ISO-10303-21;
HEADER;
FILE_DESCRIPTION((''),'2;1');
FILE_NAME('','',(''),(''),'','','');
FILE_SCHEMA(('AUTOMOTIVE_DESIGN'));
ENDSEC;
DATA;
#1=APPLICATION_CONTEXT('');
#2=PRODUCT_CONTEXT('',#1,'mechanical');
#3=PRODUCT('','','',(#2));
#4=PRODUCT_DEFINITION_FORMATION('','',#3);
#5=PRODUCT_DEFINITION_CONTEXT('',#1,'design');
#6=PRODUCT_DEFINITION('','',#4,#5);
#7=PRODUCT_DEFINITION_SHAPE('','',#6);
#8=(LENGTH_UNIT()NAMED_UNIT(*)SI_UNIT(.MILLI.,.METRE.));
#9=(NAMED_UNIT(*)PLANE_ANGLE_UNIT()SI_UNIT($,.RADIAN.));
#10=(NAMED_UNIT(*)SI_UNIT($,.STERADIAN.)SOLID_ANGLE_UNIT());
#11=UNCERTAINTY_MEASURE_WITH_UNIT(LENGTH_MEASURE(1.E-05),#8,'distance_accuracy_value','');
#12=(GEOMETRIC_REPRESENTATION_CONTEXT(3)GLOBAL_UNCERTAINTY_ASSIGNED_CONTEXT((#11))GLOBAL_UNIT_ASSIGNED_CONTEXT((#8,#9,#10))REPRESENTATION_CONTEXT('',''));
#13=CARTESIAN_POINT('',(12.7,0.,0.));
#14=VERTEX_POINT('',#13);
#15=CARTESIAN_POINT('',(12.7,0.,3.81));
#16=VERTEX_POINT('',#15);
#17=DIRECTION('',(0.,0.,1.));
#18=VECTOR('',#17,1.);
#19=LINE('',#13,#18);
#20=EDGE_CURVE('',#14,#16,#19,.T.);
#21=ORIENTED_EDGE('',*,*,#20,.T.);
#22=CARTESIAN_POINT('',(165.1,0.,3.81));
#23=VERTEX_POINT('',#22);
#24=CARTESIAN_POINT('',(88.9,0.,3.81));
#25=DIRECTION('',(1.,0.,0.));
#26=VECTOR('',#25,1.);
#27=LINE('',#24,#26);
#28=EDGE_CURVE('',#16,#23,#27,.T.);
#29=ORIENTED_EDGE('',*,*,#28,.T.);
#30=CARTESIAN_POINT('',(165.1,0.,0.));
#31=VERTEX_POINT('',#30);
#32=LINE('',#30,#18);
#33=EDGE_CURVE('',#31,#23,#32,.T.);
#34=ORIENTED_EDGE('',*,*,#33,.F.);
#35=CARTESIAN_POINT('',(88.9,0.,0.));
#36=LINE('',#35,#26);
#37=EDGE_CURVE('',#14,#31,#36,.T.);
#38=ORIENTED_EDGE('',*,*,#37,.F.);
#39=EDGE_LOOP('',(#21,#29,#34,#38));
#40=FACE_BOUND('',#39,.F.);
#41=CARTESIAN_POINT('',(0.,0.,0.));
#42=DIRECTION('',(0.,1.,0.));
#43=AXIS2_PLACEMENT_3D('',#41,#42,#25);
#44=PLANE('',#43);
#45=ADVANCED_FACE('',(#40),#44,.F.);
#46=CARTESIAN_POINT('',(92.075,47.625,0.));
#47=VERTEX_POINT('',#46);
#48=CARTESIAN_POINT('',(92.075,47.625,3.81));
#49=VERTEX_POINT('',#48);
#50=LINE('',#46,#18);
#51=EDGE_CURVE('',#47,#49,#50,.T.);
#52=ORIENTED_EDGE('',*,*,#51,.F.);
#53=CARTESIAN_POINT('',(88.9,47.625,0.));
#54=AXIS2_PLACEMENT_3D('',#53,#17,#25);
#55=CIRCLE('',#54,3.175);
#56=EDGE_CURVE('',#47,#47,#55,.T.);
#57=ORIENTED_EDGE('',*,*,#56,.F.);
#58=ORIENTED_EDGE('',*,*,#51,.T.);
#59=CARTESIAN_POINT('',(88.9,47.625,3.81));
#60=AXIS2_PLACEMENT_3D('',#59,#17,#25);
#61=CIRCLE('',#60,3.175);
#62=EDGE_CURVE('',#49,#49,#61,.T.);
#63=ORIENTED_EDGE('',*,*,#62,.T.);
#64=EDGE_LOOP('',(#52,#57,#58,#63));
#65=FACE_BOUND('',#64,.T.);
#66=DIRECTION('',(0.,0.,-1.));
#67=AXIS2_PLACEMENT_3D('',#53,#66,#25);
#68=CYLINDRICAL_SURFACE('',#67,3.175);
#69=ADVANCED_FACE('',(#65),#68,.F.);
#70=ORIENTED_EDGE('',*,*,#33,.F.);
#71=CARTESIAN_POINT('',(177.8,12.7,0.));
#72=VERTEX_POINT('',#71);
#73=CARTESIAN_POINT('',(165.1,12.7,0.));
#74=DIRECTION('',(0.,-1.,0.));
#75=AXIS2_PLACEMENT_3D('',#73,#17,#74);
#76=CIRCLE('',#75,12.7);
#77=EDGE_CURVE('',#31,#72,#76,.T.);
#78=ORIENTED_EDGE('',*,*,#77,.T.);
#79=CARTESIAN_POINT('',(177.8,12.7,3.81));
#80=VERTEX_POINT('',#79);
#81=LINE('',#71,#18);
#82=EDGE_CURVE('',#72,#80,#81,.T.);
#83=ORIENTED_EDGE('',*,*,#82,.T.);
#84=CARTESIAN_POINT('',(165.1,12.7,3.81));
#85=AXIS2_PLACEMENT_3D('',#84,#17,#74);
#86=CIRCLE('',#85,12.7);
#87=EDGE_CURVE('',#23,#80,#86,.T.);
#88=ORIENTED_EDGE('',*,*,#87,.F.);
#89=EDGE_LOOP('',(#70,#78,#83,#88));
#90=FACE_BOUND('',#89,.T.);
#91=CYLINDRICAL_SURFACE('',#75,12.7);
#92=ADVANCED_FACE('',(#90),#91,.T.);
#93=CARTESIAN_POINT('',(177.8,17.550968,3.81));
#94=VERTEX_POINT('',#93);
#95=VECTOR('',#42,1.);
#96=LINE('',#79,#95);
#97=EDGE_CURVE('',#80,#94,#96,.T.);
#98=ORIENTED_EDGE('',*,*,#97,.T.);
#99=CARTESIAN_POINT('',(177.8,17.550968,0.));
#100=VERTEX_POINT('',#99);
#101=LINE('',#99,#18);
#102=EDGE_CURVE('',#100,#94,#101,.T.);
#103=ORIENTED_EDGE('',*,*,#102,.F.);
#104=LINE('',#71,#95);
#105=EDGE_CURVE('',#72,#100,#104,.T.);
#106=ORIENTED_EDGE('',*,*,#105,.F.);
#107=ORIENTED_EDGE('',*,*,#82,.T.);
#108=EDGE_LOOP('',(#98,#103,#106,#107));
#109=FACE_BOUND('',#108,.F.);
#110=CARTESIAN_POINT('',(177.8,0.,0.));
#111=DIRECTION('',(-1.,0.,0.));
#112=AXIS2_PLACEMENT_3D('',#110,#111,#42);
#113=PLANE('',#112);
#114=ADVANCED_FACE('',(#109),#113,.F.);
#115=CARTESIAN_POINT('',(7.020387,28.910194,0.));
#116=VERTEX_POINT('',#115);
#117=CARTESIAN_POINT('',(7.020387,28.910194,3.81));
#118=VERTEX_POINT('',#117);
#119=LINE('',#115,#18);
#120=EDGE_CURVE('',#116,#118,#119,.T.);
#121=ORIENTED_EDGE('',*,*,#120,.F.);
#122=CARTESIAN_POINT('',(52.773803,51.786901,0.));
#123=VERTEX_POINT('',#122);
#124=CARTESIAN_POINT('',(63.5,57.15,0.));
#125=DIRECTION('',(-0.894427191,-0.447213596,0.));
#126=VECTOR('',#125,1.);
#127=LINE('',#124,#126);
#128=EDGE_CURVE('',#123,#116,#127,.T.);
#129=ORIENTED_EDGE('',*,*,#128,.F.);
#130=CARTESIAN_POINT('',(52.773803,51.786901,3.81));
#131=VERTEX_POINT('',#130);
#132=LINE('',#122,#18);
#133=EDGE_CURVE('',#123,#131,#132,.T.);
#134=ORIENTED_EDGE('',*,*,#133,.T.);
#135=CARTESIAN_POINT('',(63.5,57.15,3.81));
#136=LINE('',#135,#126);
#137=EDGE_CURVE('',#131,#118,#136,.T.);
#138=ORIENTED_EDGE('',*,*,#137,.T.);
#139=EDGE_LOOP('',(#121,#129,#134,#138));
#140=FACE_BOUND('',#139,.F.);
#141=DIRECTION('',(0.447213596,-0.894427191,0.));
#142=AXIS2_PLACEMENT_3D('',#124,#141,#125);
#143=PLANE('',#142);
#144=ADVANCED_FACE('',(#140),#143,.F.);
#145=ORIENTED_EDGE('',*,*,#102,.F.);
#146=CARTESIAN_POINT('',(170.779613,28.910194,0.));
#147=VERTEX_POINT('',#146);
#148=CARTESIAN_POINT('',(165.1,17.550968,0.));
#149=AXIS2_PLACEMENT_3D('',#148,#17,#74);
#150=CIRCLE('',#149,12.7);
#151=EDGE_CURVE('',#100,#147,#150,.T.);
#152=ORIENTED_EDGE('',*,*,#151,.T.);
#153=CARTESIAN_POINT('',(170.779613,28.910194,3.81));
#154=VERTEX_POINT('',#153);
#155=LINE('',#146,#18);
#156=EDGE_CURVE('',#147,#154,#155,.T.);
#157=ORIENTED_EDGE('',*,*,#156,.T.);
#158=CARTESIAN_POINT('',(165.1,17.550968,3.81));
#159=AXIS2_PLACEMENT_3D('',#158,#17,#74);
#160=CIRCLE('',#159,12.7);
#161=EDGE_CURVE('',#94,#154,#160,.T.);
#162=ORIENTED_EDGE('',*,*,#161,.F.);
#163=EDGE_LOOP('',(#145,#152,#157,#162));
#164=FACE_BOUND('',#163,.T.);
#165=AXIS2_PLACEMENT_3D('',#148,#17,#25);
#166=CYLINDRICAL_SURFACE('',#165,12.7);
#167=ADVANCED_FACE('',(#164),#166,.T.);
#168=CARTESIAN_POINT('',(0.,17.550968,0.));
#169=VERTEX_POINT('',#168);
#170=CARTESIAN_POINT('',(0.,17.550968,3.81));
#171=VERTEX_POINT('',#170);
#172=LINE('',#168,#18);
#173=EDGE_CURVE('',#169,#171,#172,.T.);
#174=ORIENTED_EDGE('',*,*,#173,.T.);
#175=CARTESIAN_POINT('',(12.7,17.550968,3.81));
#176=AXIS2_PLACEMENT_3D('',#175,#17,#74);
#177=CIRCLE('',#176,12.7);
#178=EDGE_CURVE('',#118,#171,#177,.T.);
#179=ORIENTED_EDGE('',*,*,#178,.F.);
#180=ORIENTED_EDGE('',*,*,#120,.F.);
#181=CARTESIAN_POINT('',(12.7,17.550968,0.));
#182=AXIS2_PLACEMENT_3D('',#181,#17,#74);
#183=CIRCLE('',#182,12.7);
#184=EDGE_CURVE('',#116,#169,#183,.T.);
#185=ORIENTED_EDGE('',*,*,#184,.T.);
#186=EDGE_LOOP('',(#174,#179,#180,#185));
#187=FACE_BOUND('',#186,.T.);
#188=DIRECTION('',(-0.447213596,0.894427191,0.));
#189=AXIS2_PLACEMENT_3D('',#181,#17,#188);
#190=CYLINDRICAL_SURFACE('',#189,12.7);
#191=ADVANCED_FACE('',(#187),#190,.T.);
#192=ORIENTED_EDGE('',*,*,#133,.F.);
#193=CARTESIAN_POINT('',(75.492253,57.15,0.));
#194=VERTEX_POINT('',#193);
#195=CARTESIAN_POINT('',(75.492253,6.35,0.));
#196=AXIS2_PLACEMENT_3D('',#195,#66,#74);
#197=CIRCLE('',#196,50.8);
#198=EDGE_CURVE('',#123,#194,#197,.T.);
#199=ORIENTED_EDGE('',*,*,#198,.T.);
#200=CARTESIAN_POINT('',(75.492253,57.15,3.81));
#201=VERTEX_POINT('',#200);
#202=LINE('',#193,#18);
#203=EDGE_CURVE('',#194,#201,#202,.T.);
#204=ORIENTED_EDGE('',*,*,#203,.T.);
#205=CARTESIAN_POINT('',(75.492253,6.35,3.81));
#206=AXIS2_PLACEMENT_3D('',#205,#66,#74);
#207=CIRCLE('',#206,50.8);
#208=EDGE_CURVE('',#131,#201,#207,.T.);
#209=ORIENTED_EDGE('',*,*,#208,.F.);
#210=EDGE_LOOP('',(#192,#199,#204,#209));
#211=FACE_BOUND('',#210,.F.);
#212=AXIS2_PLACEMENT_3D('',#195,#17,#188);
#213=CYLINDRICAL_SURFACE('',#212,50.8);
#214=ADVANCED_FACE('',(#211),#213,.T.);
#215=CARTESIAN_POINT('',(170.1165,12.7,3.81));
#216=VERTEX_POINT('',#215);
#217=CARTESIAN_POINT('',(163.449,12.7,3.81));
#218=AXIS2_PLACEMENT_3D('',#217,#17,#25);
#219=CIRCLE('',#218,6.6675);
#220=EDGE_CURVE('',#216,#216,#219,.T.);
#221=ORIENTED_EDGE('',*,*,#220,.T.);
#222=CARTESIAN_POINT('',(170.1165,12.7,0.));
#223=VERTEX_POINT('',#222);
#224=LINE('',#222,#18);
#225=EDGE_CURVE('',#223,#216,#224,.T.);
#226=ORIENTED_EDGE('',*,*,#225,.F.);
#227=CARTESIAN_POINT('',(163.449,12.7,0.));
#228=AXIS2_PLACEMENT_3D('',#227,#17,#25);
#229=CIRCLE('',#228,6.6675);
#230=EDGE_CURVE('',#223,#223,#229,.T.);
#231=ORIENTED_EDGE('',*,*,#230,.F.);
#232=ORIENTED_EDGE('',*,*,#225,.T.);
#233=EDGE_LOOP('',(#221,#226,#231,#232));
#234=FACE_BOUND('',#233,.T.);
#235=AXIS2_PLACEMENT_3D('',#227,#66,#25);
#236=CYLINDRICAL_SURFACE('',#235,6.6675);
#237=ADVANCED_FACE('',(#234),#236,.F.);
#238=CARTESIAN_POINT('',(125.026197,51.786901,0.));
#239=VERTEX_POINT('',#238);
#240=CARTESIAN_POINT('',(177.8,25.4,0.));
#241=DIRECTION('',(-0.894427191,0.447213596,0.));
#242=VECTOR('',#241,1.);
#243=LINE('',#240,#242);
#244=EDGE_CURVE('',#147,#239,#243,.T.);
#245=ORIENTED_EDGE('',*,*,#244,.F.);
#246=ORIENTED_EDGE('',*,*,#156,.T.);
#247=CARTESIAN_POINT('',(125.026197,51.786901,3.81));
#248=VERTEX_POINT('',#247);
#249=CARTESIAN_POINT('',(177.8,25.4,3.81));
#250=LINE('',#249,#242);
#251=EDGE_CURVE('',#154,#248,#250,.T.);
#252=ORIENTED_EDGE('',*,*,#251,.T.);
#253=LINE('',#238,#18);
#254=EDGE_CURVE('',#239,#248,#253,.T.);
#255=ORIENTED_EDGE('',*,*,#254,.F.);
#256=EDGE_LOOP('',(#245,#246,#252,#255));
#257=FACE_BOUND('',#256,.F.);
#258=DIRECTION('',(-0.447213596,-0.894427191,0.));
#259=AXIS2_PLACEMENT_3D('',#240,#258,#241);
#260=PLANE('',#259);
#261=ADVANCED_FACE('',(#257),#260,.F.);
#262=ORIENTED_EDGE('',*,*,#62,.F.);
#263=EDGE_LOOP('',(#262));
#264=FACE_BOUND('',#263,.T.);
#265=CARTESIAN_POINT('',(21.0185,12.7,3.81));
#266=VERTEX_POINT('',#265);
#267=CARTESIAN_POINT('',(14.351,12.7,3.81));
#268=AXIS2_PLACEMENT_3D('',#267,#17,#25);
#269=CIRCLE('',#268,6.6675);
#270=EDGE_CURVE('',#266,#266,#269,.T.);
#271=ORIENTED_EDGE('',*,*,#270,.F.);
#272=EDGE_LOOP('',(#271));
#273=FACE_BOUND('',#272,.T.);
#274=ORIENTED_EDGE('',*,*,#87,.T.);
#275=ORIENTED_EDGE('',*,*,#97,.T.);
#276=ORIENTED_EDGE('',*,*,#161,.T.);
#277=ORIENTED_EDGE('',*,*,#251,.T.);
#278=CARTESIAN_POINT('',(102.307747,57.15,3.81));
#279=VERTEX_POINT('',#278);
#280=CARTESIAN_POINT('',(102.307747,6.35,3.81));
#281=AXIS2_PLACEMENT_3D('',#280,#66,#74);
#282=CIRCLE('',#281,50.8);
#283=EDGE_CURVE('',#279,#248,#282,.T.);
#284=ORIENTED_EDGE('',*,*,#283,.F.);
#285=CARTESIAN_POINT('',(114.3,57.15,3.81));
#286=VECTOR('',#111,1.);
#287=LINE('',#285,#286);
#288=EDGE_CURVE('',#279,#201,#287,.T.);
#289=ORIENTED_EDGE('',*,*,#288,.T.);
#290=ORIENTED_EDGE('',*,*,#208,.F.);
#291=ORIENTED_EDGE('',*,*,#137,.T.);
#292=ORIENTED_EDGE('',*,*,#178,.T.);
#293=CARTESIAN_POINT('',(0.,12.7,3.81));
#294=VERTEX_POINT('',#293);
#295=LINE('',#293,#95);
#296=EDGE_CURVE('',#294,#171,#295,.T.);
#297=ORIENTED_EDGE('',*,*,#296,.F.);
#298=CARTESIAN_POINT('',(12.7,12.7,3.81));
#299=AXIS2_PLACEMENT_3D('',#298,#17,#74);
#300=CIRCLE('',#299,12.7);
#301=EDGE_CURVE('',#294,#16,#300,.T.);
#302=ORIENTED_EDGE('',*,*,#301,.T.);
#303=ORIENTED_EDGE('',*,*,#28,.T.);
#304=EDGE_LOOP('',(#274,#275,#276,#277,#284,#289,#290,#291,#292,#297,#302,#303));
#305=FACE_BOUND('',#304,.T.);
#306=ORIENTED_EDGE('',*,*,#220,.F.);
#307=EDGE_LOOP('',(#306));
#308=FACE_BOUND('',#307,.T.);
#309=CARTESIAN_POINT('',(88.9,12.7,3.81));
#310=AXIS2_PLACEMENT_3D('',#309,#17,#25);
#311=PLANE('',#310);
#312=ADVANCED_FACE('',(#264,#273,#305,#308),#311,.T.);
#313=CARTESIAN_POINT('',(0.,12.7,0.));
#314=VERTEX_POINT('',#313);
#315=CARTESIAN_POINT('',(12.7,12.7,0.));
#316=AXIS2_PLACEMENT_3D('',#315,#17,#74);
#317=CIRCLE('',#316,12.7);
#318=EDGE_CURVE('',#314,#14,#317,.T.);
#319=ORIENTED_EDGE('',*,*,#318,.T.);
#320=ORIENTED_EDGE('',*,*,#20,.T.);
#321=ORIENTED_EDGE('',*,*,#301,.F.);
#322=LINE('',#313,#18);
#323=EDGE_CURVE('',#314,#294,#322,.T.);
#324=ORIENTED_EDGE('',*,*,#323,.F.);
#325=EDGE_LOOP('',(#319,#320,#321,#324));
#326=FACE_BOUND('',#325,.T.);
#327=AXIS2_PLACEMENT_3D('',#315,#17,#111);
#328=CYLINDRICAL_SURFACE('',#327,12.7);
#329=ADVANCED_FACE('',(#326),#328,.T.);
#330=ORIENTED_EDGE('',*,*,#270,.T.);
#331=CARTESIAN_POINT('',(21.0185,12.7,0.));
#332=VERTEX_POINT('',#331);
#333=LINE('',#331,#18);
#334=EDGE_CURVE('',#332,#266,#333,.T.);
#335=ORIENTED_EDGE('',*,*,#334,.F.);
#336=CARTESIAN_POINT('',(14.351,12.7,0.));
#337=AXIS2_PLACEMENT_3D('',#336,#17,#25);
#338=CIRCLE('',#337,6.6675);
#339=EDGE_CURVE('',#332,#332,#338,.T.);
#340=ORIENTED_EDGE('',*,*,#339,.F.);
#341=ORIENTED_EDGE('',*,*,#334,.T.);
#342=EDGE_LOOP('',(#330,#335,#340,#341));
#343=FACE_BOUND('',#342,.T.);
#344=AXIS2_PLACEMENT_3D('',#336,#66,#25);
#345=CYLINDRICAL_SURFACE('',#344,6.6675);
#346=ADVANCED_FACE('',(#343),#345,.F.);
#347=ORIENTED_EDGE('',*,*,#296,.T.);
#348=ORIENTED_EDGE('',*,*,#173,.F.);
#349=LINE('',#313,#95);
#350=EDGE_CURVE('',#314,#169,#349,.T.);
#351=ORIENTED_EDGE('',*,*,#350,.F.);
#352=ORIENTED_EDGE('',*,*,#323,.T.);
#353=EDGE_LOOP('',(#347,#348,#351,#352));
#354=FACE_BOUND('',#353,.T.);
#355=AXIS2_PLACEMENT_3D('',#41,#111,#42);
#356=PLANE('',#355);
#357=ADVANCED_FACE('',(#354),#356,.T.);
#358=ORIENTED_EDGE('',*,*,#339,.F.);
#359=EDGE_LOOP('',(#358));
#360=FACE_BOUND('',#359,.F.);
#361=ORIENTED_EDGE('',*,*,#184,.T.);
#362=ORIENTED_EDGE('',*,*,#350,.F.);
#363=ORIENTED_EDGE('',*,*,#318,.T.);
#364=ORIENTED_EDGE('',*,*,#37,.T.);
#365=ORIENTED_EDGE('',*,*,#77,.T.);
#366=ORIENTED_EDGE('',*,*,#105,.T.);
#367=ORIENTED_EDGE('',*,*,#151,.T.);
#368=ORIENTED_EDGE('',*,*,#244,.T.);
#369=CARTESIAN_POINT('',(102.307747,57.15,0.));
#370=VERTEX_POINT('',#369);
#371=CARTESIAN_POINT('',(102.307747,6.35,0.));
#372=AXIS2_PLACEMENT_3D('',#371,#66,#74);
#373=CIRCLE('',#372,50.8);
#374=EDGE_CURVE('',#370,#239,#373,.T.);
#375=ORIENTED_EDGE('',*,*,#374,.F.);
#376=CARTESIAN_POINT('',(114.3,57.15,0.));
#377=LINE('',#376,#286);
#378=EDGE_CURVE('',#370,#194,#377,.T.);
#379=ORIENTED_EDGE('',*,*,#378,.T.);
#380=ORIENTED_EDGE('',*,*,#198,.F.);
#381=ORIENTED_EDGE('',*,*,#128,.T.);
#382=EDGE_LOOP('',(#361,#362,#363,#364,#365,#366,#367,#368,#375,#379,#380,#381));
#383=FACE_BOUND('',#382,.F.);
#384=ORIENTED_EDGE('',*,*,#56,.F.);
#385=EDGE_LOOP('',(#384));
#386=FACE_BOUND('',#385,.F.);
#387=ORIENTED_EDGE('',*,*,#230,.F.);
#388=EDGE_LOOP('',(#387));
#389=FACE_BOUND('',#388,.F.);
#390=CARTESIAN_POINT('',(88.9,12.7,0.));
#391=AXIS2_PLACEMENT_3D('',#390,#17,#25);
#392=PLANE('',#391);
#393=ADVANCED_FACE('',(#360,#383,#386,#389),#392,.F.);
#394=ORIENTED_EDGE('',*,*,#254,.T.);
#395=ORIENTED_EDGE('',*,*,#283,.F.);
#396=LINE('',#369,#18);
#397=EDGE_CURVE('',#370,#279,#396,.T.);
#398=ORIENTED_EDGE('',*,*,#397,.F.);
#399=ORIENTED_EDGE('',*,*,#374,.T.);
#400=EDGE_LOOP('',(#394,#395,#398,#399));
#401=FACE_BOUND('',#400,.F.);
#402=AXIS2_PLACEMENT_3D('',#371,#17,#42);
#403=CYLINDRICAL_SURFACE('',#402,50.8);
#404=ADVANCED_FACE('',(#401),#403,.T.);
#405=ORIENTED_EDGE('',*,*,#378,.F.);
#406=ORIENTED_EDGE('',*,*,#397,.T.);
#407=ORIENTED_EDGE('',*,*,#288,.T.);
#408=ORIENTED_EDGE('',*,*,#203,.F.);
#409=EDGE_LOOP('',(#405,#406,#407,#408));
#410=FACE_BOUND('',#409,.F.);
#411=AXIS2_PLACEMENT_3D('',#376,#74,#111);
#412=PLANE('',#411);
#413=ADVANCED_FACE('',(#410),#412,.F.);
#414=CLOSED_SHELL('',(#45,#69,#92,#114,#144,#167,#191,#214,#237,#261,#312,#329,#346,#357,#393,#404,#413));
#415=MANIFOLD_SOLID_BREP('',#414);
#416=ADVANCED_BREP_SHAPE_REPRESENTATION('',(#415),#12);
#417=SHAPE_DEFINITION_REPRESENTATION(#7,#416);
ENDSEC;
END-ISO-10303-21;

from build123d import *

# Parameters (mm, degrees)
F0_W     = 177.8
F0_H     = 25.4
F0_R     = 6.6675
F0_R_2   = 3.175
F1_DEPTH = 3.81
F2_R     = 50.8
F3_R     = 12.7


with BuildPart() as f1:
    # F0 (on Top) → F1 (new body)
    with BuildSketch(Plane.XY):
        with Locations((88.9, 12.7)):
            Rectangle(F0_W, F0_H)
        with Locations((14.351, 12.7)):
            Circle(F0_R, mode=Mode.SUBTRACT)
        with Locations((163.449, 12.7)):
            Circle(F0_R, mode=Mode.SUBTRACT)
        Polygon((63.5, 57.15), (0, 25.4), (177.8, 25.4), (114.3, 57.15), align=None)
        with Locations((88.9, 47.625)):
            Circle(F0_R_2, mode=Mode.SUBTRACT)
    extrude(amount=F1_DEPTH)

    # F2
    f2_edges = [f1.edges().sort_by_distance(p)[0] for p in [
        (63.5, 57.15, 1.905),
        (114.3, 57.15, 1.905),
    ]]
    fillet(f2_edges, radius=F2_R)

    # F3
    f3_edges = [f1.edges().sort_by_distance(p)[0] for p in [
        (0, 25.4, 1.905),
        (0, 0, 1.905),
        (177.8, 0, 1.905),
        (177.8, 25.4, 1.905),
    ]]
    fillet(f3_edges, radius=F3_R)


solid = f1.part
